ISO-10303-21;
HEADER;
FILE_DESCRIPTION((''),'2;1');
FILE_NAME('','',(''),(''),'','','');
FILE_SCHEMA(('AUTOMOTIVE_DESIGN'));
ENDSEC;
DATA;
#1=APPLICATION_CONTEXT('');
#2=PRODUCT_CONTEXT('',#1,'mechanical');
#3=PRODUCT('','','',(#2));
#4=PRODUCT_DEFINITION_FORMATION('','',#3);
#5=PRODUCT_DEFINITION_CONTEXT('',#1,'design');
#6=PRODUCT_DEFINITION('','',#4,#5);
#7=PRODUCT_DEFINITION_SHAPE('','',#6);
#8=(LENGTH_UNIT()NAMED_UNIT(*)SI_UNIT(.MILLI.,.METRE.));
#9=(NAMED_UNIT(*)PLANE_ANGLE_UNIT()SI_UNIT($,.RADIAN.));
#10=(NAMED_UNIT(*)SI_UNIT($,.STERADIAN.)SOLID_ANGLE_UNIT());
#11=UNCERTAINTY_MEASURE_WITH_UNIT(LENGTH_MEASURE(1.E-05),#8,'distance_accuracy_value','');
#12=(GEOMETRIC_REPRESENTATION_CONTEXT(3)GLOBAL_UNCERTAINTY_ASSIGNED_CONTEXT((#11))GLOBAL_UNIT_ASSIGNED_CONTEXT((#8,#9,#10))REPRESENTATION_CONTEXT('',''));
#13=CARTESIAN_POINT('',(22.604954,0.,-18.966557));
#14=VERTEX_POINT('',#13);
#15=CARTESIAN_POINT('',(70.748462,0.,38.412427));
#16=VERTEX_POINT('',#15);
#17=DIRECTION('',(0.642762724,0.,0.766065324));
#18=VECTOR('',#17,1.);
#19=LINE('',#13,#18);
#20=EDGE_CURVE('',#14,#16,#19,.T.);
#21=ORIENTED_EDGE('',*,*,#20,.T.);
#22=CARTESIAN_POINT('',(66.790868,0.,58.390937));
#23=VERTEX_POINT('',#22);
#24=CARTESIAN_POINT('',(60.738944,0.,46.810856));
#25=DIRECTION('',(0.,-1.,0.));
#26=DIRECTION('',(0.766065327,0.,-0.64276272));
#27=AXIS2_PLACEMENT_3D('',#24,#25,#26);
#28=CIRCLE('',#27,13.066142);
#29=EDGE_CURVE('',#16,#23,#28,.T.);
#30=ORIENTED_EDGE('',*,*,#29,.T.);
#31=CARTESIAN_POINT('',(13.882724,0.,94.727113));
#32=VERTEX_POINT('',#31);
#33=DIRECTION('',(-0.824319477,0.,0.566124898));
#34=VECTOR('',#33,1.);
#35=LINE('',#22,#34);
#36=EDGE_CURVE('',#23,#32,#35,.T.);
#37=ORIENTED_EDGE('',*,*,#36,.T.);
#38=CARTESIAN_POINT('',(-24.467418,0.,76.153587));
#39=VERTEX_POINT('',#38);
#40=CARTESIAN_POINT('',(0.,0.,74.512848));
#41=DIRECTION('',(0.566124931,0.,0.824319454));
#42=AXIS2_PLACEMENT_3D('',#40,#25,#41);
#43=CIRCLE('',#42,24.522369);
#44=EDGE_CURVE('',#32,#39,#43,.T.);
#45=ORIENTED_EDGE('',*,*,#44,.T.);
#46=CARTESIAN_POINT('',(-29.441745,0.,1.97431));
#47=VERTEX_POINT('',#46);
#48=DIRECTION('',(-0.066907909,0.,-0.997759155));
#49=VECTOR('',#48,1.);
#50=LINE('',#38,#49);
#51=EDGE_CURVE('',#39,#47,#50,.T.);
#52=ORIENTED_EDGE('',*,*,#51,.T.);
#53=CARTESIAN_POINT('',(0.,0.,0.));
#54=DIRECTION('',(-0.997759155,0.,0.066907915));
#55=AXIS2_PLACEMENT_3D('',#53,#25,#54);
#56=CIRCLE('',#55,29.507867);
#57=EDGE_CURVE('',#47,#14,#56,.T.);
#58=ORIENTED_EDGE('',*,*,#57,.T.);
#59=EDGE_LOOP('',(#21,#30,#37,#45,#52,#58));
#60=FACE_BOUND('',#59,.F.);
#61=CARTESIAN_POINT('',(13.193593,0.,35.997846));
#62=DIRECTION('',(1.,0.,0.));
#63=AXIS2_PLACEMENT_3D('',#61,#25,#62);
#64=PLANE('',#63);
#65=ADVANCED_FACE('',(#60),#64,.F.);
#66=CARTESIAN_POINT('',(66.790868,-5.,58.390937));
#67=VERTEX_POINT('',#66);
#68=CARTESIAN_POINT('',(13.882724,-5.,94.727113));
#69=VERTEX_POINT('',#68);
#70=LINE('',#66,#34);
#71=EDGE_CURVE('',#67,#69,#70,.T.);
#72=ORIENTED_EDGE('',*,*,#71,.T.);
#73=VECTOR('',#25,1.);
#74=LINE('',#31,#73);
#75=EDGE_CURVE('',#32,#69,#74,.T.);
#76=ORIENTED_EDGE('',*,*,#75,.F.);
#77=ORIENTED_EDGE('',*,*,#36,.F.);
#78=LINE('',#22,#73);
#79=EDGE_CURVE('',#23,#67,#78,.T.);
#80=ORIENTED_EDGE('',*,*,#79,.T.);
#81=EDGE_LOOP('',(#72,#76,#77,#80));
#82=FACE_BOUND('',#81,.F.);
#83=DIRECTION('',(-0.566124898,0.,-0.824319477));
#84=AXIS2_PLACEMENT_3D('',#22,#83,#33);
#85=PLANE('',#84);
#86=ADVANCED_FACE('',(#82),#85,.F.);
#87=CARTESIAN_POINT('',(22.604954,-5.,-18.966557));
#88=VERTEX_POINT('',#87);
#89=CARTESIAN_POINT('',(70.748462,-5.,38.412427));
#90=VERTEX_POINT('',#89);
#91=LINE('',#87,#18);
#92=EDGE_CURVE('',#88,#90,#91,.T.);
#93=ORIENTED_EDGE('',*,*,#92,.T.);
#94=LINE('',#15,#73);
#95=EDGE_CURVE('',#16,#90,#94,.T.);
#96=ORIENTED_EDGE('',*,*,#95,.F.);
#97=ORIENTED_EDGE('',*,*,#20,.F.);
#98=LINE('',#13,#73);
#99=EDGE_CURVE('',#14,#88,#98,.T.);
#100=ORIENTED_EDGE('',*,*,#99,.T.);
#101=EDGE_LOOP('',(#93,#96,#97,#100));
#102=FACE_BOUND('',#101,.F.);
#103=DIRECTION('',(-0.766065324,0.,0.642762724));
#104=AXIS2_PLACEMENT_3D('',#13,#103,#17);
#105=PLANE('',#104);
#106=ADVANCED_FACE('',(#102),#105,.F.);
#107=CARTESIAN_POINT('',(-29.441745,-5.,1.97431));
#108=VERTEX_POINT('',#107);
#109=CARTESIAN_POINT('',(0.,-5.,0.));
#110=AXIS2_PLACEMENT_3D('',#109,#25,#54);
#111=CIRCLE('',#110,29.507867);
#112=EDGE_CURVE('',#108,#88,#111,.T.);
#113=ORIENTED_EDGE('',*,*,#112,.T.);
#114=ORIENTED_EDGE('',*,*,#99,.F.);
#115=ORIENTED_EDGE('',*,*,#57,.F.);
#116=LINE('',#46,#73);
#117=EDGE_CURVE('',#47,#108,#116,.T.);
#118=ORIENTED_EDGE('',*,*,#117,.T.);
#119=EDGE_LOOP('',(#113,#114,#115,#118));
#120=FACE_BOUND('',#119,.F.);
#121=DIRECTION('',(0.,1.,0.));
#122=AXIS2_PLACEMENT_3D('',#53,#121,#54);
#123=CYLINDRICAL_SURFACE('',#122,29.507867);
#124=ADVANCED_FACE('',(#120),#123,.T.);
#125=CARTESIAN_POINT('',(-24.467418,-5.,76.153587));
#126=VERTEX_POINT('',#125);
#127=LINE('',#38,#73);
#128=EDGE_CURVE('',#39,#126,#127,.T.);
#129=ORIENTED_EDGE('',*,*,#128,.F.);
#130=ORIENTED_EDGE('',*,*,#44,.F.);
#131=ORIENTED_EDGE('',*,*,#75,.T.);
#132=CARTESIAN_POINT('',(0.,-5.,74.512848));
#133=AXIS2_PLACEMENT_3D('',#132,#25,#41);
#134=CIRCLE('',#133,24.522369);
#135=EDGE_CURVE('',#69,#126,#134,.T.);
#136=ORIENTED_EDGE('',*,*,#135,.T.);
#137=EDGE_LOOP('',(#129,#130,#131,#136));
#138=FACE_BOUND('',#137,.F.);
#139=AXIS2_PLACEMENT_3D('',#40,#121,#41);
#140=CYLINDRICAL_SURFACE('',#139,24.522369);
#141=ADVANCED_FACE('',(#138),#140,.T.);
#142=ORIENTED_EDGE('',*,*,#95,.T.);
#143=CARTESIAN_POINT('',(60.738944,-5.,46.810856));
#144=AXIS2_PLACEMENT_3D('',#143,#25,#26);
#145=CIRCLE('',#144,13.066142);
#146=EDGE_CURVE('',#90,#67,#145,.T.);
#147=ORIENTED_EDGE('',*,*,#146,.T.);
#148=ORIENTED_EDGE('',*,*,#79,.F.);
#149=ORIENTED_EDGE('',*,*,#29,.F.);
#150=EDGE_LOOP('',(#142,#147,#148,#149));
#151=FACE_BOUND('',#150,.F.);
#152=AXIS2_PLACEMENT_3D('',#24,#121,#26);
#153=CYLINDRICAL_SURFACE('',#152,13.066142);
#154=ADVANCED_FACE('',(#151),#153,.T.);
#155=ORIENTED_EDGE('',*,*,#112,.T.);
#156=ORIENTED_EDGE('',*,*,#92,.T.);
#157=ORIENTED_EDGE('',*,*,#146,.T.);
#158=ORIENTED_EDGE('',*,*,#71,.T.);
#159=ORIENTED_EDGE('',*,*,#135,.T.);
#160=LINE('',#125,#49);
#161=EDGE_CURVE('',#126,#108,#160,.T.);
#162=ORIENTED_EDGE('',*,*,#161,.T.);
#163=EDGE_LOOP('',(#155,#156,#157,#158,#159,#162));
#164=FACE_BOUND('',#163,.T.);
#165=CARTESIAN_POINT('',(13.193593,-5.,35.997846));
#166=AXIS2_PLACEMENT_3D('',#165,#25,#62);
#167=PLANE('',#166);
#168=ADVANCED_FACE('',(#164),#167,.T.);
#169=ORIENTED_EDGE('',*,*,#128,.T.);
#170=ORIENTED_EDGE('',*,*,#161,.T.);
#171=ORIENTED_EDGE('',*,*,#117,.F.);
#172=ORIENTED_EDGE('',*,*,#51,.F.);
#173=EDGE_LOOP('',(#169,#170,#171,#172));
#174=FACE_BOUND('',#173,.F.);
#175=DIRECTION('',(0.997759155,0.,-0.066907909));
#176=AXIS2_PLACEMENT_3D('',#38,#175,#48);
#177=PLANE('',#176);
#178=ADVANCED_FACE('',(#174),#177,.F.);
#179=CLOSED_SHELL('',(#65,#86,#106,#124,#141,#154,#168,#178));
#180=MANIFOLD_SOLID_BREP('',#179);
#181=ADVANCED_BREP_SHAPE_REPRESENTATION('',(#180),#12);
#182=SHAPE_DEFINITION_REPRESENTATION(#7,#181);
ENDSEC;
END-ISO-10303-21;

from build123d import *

# Parameters (mm, degrees)
F1_DEPTH = 5


with BuildPart() as f1:
    # F0 (on Front) → F1 (new body)
    with BuildSketch(Plane.XZ):
        with BuildLine():
            Line((-24.467418, 76.153587), (-29.441745, 1.97431))
            ThreePointArc((-29.441745, 1.97431), (-11.014327, -27.37515), (22.604954, -18.966557))
            Line((22.604954, -18.966557), (70.748462, 38.412427))
            ThreePointArc((70.748462, 38.412427), (73.55603, 49.349825), (66.790868, 58.390937))
            Line((66.790868, 58.390937), (13.882724, 94.727113))
            ThreePointArc((13.882724, 94.727113), (-10.688915, 96.583046), (-24.467418, 76.153587))
        make_face()
    extrude(amount=F1_DEPTH)


solid = f1.part
